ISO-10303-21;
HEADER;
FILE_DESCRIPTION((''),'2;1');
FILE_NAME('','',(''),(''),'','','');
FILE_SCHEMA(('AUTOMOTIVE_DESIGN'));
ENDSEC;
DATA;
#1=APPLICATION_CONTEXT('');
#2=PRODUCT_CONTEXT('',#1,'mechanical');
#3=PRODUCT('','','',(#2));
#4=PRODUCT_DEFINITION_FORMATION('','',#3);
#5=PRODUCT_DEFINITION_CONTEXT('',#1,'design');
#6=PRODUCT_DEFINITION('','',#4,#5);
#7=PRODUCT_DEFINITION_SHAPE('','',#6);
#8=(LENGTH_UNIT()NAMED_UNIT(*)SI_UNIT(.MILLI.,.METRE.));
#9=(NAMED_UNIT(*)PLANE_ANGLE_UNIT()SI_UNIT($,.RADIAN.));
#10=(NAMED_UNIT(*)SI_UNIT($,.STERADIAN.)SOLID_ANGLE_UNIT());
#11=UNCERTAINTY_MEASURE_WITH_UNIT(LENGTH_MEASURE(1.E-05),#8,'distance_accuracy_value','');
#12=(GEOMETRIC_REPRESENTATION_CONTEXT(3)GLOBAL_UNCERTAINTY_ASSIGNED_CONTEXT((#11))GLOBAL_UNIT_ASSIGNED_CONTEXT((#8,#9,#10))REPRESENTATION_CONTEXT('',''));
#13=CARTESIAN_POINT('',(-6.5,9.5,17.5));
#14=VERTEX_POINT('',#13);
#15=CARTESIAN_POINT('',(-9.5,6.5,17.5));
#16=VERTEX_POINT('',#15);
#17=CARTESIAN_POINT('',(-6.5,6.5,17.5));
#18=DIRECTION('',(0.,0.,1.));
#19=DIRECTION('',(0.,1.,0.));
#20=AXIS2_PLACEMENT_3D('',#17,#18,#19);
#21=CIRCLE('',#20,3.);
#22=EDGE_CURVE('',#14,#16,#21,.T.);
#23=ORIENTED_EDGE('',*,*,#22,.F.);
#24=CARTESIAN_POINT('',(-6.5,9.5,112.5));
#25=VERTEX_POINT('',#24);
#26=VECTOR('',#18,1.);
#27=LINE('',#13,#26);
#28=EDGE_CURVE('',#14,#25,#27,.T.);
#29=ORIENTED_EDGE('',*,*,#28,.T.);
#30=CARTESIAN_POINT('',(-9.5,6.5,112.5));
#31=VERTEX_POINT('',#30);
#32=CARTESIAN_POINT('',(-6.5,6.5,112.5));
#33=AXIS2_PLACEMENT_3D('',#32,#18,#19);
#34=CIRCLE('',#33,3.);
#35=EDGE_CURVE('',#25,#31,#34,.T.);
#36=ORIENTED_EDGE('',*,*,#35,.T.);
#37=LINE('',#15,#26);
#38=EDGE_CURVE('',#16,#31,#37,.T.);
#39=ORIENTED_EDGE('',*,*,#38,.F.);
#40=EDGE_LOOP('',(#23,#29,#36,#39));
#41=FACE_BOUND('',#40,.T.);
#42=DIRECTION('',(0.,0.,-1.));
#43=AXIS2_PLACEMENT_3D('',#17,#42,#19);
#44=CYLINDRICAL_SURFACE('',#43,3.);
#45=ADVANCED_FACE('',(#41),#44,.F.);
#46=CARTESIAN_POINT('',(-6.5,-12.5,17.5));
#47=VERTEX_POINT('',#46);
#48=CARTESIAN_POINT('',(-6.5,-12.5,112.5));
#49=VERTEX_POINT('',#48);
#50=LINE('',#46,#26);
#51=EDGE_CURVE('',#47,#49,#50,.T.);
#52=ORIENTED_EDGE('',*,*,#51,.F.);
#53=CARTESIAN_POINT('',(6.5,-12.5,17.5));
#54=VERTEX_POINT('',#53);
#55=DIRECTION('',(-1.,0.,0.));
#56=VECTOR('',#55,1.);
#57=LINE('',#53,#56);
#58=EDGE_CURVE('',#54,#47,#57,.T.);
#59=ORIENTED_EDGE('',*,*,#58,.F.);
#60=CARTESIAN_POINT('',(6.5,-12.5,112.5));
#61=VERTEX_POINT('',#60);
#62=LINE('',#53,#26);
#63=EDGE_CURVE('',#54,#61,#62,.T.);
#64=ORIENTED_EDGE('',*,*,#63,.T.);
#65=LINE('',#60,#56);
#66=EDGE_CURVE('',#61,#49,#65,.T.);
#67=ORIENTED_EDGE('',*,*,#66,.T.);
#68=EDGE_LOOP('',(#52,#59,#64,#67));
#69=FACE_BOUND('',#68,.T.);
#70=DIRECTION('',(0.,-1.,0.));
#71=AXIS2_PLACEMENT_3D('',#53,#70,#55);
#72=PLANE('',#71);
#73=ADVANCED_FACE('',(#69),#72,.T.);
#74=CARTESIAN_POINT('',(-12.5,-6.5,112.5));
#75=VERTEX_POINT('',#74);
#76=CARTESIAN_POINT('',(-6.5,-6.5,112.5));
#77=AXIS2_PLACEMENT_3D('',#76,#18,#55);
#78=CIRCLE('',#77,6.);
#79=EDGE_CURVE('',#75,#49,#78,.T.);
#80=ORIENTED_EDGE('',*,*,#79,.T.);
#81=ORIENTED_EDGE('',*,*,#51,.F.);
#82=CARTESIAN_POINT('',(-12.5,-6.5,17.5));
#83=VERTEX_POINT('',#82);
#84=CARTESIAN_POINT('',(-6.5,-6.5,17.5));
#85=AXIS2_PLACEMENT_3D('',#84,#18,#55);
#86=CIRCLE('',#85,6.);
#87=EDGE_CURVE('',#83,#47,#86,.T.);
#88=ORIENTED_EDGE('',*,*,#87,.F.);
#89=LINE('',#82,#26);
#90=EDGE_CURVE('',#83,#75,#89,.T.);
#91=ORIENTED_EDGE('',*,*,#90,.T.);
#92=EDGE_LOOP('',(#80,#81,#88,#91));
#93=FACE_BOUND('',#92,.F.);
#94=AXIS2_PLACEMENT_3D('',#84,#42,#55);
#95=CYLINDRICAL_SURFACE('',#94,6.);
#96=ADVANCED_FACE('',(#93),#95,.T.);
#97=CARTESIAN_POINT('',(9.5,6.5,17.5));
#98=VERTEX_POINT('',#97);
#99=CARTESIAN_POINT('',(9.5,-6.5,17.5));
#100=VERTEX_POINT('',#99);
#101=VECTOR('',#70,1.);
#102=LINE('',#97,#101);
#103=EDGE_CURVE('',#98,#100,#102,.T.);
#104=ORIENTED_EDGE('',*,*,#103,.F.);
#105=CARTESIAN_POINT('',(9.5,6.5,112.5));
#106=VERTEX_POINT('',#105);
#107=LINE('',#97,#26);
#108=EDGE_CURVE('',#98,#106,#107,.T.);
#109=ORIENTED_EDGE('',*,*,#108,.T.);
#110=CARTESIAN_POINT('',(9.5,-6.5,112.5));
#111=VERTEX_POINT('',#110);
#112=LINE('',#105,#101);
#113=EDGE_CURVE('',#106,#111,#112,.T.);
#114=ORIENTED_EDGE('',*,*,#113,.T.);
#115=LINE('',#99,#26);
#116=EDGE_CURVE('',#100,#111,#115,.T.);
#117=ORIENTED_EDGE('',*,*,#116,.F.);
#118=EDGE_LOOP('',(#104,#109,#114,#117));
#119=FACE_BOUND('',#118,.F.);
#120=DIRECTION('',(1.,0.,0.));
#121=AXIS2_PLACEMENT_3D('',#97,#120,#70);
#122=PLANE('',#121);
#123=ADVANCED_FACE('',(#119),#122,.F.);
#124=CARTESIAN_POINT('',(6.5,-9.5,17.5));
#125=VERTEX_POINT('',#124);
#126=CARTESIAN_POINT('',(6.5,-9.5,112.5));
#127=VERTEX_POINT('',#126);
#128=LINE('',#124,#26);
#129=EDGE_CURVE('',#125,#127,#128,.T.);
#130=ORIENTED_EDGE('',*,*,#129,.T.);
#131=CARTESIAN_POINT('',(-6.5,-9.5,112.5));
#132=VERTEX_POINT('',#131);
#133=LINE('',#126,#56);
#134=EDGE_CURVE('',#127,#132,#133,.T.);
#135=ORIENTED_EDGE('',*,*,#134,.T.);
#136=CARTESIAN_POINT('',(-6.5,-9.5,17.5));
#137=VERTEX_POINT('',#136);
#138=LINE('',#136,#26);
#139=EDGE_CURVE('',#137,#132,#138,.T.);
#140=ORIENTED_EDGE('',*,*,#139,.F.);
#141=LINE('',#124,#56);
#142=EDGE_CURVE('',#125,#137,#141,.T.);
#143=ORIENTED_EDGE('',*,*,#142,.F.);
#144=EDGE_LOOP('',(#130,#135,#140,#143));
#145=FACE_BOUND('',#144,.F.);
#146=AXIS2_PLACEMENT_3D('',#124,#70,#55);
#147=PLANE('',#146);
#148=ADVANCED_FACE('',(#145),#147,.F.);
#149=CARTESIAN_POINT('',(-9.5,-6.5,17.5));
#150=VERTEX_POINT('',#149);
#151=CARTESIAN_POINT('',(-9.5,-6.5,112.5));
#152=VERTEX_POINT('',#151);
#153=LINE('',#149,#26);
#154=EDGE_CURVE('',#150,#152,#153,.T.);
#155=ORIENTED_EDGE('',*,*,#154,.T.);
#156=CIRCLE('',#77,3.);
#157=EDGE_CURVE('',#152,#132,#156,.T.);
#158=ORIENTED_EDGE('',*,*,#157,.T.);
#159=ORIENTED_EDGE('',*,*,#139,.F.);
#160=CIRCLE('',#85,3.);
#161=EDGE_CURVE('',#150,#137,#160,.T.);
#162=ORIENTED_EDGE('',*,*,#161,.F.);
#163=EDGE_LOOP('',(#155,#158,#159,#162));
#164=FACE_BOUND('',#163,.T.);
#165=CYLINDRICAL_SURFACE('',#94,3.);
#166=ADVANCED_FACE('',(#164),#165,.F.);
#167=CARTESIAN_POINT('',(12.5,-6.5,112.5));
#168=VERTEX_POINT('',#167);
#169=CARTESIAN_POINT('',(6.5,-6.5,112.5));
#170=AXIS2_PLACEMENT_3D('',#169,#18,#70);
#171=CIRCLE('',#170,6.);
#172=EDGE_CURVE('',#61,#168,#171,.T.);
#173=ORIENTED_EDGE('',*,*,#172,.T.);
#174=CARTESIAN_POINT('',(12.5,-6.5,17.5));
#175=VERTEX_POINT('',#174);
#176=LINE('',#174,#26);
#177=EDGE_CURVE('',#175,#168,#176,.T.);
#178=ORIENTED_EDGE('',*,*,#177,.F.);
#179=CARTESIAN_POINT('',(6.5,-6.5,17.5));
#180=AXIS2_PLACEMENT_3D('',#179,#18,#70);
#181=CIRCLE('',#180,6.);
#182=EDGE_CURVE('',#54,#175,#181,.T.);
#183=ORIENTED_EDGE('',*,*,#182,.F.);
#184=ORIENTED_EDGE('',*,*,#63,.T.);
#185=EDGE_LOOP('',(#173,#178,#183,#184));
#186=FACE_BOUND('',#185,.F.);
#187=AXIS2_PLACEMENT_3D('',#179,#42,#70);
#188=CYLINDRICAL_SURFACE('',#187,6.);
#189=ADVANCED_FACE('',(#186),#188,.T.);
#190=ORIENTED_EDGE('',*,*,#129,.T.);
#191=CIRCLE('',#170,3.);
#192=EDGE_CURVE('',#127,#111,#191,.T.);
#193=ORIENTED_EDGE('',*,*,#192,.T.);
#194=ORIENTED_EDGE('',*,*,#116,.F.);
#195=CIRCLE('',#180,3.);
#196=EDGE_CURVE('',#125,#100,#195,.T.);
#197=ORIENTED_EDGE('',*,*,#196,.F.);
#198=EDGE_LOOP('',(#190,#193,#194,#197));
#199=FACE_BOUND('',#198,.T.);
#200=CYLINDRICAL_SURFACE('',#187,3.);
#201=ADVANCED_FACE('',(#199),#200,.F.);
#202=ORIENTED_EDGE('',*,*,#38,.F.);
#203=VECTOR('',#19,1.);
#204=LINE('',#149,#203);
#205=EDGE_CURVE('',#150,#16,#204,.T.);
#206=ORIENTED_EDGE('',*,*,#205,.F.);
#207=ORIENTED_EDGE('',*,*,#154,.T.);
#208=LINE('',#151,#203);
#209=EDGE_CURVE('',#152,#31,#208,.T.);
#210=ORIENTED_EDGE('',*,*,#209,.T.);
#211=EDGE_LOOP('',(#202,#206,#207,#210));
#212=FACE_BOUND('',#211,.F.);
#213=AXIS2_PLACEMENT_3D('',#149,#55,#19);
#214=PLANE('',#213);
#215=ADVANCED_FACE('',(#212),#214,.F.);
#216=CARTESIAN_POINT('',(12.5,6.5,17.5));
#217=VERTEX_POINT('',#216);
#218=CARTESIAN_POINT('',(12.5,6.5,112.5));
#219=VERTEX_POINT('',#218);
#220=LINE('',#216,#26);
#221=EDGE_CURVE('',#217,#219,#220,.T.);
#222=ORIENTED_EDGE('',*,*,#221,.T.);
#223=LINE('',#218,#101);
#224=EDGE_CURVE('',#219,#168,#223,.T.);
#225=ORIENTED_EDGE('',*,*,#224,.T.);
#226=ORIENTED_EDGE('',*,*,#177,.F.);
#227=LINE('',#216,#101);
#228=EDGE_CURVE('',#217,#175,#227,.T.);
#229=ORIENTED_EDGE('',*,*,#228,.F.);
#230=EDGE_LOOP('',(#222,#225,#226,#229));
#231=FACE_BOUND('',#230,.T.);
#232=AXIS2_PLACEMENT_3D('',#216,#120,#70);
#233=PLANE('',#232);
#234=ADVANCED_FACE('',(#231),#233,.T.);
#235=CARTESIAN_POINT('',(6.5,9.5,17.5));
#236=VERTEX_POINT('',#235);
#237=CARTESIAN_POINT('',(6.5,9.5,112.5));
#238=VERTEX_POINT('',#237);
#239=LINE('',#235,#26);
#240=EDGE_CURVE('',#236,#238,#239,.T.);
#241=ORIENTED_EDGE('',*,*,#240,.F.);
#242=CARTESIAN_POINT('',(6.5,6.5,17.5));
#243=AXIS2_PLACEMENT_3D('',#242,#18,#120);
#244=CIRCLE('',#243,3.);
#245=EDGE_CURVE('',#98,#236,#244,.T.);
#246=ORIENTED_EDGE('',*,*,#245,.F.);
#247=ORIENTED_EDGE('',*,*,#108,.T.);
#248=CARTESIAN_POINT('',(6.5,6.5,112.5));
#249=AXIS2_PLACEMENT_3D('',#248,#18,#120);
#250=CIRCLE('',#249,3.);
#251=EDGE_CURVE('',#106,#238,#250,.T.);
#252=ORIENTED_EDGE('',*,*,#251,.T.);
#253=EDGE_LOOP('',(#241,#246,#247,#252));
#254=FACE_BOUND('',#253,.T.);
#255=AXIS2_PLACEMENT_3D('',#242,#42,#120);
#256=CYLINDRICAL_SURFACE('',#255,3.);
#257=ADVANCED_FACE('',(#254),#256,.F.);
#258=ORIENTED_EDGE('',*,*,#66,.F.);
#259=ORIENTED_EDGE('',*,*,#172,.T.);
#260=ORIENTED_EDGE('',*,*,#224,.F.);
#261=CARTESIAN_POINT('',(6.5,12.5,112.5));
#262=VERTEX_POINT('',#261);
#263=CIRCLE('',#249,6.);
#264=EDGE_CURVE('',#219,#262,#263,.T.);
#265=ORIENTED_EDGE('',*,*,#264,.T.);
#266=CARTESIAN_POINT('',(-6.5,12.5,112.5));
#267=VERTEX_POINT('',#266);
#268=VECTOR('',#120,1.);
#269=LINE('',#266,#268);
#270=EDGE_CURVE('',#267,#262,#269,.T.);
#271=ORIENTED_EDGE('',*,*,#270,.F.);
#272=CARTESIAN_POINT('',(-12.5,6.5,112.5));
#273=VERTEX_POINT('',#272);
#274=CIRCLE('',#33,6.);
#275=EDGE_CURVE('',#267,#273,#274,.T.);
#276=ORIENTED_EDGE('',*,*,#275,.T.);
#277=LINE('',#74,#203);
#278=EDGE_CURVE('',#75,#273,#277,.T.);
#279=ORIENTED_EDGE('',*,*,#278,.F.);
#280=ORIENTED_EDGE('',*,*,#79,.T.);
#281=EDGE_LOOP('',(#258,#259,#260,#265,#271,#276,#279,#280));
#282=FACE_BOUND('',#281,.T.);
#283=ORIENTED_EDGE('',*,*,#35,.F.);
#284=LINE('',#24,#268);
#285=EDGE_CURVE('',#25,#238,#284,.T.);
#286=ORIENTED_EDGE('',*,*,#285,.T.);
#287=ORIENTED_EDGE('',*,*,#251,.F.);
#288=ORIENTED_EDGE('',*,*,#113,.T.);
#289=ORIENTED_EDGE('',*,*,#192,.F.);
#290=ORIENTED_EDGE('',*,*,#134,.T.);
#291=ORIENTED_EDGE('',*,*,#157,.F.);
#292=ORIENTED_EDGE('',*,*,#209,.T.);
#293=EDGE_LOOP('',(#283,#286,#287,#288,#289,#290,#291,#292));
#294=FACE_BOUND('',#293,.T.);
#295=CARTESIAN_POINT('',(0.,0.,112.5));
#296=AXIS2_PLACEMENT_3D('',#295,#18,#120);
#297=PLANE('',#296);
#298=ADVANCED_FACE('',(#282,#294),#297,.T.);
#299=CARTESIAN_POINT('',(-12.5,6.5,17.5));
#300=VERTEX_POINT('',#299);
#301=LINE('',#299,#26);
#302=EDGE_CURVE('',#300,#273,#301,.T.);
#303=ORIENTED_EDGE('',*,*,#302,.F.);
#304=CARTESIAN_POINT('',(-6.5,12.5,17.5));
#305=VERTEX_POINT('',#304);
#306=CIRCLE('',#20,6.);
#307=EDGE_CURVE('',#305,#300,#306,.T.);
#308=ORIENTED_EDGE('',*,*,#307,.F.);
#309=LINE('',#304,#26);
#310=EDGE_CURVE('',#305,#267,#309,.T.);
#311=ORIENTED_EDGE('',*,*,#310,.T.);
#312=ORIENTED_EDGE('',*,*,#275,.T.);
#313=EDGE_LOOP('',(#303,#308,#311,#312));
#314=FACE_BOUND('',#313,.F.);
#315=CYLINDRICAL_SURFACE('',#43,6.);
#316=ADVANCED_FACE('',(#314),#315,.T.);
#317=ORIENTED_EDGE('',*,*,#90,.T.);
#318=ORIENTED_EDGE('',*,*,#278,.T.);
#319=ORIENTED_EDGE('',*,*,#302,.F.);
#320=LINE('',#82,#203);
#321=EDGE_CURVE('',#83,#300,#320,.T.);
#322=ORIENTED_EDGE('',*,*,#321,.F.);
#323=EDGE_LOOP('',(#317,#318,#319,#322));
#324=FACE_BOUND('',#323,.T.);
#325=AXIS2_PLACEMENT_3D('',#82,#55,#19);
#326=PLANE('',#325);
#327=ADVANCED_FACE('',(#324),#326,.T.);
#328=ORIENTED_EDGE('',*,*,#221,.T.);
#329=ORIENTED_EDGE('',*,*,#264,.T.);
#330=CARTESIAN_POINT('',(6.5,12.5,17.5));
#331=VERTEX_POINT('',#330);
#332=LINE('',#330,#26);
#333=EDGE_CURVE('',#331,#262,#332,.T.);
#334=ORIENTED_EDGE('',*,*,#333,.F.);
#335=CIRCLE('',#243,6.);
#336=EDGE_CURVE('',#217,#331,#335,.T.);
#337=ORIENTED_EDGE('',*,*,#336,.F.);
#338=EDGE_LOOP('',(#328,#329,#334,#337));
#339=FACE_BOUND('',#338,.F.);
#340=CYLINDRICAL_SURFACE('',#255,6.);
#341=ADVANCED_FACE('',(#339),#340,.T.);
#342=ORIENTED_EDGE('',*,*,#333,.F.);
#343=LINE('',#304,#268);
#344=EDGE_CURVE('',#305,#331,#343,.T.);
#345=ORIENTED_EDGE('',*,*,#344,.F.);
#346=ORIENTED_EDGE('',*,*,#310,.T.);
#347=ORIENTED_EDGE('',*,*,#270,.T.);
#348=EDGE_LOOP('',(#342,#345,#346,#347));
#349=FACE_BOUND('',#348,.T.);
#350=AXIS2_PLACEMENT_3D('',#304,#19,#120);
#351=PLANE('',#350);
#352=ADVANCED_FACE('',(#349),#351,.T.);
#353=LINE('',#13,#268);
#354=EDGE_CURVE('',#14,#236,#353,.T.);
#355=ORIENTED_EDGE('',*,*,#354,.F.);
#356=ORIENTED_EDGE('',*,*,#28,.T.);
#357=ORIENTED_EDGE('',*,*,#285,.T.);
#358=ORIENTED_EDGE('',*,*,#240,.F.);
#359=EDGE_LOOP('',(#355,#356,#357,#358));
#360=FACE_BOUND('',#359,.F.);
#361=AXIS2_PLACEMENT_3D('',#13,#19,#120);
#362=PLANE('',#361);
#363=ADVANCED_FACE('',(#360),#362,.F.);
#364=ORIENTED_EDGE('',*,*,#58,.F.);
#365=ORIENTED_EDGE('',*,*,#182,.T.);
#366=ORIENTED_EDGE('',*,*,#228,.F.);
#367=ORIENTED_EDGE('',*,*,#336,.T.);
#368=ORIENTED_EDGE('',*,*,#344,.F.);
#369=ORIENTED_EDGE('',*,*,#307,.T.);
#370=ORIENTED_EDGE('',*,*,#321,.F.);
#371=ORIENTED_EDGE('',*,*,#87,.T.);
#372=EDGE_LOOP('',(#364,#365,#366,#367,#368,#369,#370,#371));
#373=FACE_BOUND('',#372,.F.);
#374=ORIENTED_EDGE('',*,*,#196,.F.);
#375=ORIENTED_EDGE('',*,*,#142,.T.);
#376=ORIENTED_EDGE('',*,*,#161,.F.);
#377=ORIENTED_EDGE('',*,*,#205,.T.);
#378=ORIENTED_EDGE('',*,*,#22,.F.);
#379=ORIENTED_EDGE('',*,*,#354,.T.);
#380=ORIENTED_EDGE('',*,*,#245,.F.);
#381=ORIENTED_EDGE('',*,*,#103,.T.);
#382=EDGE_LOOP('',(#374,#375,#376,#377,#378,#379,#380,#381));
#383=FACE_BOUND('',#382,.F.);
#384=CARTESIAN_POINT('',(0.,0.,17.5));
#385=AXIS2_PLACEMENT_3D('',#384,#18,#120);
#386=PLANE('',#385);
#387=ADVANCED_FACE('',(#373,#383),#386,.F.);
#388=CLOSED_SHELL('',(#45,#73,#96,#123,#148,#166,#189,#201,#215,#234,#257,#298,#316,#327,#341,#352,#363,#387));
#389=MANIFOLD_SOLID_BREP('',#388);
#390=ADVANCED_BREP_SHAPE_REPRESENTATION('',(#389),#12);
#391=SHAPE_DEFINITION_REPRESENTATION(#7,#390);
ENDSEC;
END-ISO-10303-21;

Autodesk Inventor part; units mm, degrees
ref_plane "Start plane" through (0, 0, 17.5) normal (0, 0, 1) x (1, 0, 0)
ref_plane "End plane" through (0, 0, 112.5) normal (0, 0, 1) x (1, 0, 0)
sketch "Sketch" plane through (0, 0, 0) normal (0, 0, 1) x (1, 0, 0)
  line L0 (-12.5, -6.5) -> (-12.5, 6.5)
  line L1 (-6.5, 12.5) -> (6.5, 12.5)
  line L2 (12.5, 6.5) -> (12.5, -6.5)
  line L3 (6.5, -12.5) -> (-6.5, -12.5)
  arc A0 (-12.5, -6.5) -> (-6.5, -12.5) centre (-6.5, -6.5) ccw
  arc A1 (-6.5, 12.5) -> (-12.5, 6.5) centre (-6.5, 6.5) ccw
  arc A2 (12.5, 6.5) -> (6.5, 12.5) centre (6.5, 6.5) ccw
  arc A3 (6.5, -12.5) -> (12.5, -6.5) centre (6.5, -6.5) ccw
  arc A4 (-6.5, 9.5) -> (-9.5, 6.5) centre (-6.5, 6.5) ccw
  line L4 (-6.5, 9.5) -> (6.5, 9.5)
  arc A5 (9.5, 6.5) -> (6.5, 9.5) centre (6.5, 6.5) ccw
  line L5 (9.5, 6.5) -> (9.5, -6.5)
  arc A6 (6.5, -9.5) -> (9.5, -6.5) centre (6.5, -6.5) ccw
  line L6 (6.5, -9.5) -> (-6.5, -9.5)
  arc A7 (-9.5, -6.5) -> (-6.5, -9.5) centre (-6.5, -6.5) ccw
  line L7 (-9.5, -6.5) -> (-9.5, 6.5)
  line L8 (0, 19.2397) -> (0, -19.2397) construction
  line L9 (-19.2397, 0) -> (19.2397, 0) construction
  dimension "d7" = 6
  dimension "d10" = 25
  dimension "d11" = 25
  dimension "d12" = 3
  dimension "d15" = 12.5
  dimension "d16" = 12.5
extrude "Body" add sketch "Sketch" along normal up to surface (95 mm away) from surface at 17.5
sketch "Sketch3" plane through (0, 0, 0) normal (0, 0, 1) x (1, 0, 0)
  line L0 (0, 0) -> (10, 0)
ref_plane "Work Plane3" through (0, 0, 0) normal (0, -1, 0) x (1, 0, 0)
sketch "Sketch4" plane through (0, 0, 0) normal (0, -1, 0) x (1, 0, 0)
  line L0 (-2, 17.5) -> (12, 17.5)
  line L1 (-2, 112.5) -> (12, 112.5)
  dimension "d18" = 95
ref_plane "Work Plane4" through (0, 812.5, 112.5) normal (0, 0, 1) x (1, 0, 0)
split "Split1" plane through (0, 812.5, 112.5) removes the side toward (0, 0, 1)
ref_plane "Work Plane5" through (0, 812.5, 17.5) normal (0, 0, -1) x (-1, 0, 0)
split "Split2" plane through (0, 812.5, 17.5) removes the side toward (0, 0, -1)
equation "\"d7\" = G_IR"
equation "\"d10\" = G_H"
equation "\"d11\" = G_W"
equation "\"d12\" = G_T"
equation "\"d15\" = 0.5 * d10"
equation "\"d16\" = 0.5 * d11"
equation "\"d3\" = G_L"
equation "\"G_W\" = 25"
equation "\"G_H\" = 25"
equation "\"G_T\" = 3"
equation "\"G_IR\" = 6"
equation "\"G_L\" = d18"
equation "\"G_OFFSET_START\" = -17.5"
equation "\"G_OFFSET_END\" = -12.5"
equation "\"d13\" = -G_OFFSET_START"
equation "\"d14\" = G_OFFSET_END + B_L"
equation "\"B_L\" = 125"
properties part number "AS 1163 - C350L0 25x25x3.0 SHS - 95" material "Steel, Mild"
